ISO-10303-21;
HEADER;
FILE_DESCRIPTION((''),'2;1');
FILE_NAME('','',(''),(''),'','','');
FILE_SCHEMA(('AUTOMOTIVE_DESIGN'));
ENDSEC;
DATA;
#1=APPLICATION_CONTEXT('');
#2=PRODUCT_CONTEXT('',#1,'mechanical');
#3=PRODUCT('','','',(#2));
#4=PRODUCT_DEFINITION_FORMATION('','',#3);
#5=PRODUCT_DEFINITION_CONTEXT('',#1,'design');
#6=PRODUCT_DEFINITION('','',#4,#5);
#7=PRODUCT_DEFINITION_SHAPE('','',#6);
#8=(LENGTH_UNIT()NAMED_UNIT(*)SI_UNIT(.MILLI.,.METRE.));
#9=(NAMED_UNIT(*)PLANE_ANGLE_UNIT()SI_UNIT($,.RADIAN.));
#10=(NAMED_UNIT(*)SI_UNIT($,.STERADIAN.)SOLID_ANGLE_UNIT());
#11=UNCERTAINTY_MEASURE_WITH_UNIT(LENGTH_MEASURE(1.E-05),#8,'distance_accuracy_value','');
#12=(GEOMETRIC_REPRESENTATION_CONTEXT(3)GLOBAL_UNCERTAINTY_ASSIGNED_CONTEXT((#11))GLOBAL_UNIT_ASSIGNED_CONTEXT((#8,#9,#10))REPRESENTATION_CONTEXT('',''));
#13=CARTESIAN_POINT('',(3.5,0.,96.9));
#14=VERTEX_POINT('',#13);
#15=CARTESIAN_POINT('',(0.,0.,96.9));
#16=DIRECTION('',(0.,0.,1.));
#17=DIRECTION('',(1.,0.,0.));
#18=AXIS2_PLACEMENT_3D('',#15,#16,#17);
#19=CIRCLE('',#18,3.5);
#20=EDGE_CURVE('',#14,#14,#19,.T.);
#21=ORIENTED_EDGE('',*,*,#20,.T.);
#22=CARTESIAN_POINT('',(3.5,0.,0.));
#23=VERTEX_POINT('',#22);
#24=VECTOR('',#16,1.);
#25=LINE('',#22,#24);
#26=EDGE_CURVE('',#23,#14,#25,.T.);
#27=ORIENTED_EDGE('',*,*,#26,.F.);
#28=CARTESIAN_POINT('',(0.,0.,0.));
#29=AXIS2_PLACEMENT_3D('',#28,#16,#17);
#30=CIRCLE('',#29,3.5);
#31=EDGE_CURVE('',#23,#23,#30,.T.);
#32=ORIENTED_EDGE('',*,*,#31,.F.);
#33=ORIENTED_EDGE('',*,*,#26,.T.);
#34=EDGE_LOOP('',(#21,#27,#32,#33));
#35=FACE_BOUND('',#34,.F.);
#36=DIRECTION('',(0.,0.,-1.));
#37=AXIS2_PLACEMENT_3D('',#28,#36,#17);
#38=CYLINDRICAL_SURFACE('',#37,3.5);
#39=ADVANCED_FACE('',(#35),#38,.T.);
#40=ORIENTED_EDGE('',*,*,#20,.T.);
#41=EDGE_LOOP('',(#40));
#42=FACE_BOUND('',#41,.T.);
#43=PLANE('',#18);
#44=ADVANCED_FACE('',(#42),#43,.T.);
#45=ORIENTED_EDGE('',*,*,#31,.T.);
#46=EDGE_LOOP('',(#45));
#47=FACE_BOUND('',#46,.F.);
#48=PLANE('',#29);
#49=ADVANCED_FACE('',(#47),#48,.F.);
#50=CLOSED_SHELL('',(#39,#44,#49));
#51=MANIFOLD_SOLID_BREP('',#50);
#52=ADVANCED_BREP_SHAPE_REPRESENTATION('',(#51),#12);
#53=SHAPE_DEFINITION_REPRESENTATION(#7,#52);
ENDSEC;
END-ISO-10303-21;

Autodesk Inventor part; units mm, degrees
ref_plane "YZ Plane" through (0, 0, 0) normal (1, 0, 0) x (0, 1, 0)
ref_plane "XZ Plane" through (0, 0, 0) normal (0, 1, 0) x (-1, 0, 0)
ref_plane "XY Plane" through (0, 0, 0) normal (0, 0, 1) x (1, 0, 0)
sketch "Sketch1" plane through (0, 0, 0) normal (0, 0, 1) x (1, 0, 0)
  circle A0 centre (0, 0) radius 3.5
  dimension "d0" = 7
extrude "Extrusion1" add sketch "Sketch1" along normal blind 96.9
properties part number "Slide Axle"
